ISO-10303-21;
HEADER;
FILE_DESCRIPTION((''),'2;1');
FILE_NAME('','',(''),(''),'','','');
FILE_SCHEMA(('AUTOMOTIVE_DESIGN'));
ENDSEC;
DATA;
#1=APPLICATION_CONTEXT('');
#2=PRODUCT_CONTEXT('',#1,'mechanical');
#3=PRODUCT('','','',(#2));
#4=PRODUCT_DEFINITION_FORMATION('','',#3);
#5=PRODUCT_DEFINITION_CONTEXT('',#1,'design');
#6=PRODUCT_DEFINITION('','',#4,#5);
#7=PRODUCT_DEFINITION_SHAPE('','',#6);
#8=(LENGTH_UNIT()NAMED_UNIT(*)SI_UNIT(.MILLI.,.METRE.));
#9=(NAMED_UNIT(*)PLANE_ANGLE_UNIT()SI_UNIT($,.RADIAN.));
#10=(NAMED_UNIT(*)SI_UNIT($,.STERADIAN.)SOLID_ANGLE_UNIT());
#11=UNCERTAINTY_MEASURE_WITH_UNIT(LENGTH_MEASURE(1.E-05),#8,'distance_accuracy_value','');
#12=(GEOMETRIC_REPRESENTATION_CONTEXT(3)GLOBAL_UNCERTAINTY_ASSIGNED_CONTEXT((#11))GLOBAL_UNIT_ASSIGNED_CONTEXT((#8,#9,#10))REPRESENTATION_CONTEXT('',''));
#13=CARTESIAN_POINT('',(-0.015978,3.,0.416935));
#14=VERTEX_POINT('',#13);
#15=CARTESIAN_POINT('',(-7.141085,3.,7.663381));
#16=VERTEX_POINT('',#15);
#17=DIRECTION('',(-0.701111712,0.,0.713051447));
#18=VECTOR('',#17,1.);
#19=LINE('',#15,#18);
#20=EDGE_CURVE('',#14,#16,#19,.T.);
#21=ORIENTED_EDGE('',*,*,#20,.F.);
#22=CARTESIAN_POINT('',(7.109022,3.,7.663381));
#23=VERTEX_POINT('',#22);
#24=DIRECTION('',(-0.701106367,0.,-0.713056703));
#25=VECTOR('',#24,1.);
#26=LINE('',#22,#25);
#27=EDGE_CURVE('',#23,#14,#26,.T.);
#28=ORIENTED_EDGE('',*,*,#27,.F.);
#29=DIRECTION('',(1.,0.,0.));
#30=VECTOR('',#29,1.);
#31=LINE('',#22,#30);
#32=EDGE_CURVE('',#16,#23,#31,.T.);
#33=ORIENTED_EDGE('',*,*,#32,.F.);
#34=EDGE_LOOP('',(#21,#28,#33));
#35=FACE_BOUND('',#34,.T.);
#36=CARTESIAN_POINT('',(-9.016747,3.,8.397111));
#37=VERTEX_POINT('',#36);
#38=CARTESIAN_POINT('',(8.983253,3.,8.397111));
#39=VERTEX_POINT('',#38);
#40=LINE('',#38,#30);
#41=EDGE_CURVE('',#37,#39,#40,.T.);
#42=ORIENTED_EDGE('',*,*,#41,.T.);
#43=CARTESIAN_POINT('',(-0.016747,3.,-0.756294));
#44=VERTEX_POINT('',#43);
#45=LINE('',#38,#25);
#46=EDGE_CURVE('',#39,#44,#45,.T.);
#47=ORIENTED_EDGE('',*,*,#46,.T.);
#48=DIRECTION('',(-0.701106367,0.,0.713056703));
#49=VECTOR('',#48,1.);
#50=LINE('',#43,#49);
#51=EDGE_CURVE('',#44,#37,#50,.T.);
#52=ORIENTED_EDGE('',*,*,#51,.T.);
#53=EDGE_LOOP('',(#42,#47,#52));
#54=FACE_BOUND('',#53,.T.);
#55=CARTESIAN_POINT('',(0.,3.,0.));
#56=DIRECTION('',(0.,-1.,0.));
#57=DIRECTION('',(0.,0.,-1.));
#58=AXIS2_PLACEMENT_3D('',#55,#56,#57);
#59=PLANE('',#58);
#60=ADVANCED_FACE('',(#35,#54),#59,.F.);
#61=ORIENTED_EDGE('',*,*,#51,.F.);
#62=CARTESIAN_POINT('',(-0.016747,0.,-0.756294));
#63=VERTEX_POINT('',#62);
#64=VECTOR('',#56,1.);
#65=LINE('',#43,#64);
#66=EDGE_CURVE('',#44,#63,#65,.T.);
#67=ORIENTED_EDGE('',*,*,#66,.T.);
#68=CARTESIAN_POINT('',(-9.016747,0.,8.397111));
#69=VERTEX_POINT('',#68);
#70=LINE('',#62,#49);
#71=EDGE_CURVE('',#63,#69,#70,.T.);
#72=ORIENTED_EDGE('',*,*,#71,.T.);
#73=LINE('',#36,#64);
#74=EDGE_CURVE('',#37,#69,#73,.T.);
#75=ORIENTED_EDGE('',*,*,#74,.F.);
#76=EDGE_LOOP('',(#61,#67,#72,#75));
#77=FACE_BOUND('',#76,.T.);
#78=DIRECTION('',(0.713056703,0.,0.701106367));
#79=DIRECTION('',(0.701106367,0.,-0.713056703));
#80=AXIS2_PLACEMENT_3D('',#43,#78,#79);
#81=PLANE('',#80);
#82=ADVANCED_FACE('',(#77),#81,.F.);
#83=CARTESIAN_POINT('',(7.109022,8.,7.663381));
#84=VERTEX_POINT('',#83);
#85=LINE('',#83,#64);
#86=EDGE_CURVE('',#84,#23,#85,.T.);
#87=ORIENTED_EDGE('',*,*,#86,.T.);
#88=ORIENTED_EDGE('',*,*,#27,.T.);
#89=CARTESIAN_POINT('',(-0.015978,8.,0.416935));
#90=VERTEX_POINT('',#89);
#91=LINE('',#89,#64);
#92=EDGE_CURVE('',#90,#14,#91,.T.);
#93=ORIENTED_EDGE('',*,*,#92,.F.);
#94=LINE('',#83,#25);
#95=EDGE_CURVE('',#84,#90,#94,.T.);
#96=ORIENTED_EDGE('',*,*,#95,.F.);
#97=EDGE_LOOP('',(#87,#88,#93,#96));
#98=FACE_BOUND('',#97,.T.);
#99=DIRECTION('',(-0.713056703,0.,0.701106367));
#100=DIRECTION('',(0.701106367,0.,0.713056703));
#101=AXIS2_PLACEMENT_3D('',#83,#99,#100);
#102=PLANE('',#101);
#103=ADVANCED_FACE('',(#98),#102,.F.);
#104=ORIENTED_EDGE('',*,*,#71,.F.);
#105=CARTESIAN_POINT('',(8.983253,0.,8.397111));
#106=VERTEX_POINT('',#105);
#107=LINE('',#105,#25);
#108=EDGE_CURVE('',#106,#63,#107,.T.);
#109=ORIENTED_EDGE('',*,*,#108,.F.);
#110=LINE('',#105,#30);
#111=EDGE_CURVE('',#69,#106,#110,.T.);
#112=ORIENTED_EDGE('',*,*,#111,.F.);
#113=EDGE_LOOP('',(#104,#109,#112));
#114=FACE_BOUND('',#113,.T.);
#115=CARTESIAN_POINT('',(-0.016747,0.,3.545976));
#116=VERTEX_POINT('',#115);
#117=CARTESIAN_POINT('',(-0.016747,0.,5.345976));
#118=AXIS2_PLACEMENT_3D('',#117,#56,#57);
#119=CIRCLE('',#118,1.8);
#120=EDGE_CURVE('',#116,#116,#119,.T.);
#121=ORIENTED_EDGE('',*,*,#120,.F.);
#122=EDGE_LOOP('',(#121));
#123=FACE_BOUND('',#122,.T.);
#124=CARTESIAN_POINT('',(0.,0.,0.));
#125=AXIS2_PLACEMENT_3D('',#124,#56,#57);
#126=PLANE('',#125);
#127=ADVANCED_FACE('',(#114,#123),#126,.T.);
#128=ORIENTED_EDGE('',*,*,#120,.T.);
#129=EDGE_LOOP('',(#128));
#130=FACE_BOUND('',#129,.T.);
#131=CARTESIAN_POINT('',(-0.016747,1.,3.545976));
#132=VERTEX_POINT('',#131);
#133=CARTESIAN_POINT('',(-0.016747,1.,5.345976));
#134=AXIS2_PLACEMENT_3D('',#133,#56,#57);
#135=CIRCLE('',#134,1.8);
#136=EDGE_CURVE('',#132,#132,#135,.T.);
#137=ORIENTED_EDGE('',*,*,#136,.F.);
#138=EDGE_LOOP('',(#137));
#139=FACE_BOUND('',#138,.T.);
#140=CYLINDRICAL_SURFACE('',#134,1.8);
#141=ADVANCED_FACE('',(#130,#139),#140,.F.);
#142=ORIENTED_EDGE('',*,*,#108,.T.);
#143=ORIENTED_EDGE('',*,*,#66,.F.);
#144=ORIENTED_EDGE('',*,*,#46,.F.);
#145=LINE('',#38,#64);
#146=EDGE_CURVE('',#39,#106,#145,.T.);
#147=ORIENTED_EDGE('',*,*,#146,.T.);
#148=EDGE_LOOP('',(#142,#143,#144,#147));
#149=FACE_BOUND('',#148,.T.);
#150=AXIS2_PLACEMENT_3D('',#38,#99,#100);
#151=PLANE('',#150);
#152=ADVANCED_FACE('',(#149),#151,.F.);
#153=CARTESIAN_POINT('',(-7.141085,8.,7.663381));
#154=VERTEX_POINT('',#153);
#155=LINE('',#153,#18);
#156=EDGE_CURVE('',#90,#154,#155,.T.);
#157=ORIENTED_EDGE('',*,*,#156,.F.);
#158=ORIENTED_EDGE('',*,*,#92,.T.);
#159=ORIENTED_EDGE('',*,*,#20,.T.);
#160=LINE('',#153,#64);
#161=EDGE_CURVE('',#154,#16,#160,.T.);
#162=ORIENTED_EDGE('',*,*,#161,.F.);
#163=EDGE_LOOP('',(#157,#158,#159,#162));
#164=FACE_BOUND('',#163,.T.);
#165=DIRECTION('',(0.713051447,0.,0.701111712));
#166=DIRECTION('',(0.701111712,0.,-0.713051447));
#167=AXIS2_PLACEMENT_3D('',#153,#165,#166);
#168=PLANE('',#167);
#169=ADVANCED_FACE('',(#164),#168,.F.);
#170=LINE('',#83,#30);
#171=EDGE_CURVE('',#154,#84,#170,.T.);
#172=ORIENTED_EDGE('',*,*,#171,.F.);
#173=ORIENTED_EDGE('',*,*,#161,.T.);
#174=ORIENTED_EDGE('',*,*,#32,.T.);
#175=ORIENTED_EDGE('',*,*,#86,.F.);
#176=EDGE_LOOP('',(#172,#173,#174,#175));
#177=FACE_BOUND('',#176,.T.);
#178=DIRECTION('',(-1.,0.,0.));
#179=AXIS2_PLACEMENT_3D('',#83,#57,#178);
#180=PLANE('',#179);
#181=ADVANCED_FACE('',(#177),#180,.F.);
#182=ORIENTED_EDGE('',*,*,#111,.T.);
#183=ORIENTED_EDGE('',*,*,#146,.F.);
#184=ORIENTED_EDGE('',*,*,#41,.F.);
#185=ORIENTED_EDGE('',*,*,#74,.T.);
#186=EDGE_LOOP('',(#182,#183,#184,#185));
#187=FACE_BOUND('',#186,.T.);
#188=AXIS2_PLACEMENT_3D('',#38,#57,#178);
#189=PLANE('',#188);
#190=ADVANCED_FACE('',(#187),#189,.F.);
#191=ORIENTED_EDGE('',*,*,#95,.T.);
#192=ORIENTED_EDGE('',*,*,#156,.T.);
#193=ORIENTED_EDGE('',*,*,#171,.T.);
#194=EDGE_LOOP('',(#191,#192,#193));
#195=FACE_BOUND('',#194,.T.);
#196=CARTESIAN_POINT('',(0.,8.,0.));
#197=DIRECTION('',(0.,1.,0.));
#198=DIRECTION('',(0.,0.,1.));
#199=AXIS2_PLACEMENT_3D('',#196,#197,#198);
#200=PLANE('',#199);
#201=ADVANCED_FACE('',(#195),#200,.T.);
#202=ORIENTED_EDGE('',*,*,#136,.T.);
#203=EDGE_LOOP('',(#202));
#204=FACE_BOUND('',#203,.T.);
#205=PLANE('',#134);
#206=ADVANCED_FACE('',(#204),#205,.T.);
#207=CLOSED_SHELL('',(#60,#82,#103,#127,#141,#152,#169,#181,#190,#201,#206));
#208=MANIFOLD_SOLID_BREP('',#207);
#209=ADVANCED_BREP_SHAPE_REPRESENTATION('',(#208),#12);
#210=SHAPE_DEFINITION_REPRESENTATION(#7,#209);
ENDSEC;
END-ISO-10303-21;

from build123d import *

# Parameters (mm, degrees)
BOSS_EXTRUDE1_DEPTH = 3
BOSS_EXTRUDE2_DEPTH = 5
SKETCH3_R           = 1.8
CUT_EXTRUDE1_DEPTH  = 1


with BuildPart() as part:
    # Sketch1 → Boss-Extrude1 (new body)
    with BuildSketch(Plane(origin=(0, 0, 0), x_dir=(1, 0, 0), z_dir=(0, 1, 0))):
        Polygon((8.983252998, -8.397111121), (-9.016747002, -8.397111121), (-0.016747002, 0.756293591), align=None)
    extrude(amount=BOSS_EXTRUDE1_DEPTH)

    # Sketch2 → Boss-Extrude2 (add)
    with BuildSketch(Plane(origin=(0, 3, 0), x_dir=(1, 0, 0), z_dir=(0, 1, 0))):
        Polygon((7.109021951, -7.663380877), (-0.015978049, -0.416935476), (-7.141084887, -7.663380877), align=None)
    extrude(amount=BOSS_EXTRUDE2_DEPTH)

    # Sketch3 → Cut-Extrude1 (cut)
    with BuildSketch(Plane.XZ):
        with Locations(Location((-0.016747002, 5.345976217, 0), (0, 0, 270))):
            Circle(SKETCH3_R)
    extrude(amount=-CUT_EXTRUDE1_DEPTH, mode=Mode.SUBTRACT)


solid = part.part
